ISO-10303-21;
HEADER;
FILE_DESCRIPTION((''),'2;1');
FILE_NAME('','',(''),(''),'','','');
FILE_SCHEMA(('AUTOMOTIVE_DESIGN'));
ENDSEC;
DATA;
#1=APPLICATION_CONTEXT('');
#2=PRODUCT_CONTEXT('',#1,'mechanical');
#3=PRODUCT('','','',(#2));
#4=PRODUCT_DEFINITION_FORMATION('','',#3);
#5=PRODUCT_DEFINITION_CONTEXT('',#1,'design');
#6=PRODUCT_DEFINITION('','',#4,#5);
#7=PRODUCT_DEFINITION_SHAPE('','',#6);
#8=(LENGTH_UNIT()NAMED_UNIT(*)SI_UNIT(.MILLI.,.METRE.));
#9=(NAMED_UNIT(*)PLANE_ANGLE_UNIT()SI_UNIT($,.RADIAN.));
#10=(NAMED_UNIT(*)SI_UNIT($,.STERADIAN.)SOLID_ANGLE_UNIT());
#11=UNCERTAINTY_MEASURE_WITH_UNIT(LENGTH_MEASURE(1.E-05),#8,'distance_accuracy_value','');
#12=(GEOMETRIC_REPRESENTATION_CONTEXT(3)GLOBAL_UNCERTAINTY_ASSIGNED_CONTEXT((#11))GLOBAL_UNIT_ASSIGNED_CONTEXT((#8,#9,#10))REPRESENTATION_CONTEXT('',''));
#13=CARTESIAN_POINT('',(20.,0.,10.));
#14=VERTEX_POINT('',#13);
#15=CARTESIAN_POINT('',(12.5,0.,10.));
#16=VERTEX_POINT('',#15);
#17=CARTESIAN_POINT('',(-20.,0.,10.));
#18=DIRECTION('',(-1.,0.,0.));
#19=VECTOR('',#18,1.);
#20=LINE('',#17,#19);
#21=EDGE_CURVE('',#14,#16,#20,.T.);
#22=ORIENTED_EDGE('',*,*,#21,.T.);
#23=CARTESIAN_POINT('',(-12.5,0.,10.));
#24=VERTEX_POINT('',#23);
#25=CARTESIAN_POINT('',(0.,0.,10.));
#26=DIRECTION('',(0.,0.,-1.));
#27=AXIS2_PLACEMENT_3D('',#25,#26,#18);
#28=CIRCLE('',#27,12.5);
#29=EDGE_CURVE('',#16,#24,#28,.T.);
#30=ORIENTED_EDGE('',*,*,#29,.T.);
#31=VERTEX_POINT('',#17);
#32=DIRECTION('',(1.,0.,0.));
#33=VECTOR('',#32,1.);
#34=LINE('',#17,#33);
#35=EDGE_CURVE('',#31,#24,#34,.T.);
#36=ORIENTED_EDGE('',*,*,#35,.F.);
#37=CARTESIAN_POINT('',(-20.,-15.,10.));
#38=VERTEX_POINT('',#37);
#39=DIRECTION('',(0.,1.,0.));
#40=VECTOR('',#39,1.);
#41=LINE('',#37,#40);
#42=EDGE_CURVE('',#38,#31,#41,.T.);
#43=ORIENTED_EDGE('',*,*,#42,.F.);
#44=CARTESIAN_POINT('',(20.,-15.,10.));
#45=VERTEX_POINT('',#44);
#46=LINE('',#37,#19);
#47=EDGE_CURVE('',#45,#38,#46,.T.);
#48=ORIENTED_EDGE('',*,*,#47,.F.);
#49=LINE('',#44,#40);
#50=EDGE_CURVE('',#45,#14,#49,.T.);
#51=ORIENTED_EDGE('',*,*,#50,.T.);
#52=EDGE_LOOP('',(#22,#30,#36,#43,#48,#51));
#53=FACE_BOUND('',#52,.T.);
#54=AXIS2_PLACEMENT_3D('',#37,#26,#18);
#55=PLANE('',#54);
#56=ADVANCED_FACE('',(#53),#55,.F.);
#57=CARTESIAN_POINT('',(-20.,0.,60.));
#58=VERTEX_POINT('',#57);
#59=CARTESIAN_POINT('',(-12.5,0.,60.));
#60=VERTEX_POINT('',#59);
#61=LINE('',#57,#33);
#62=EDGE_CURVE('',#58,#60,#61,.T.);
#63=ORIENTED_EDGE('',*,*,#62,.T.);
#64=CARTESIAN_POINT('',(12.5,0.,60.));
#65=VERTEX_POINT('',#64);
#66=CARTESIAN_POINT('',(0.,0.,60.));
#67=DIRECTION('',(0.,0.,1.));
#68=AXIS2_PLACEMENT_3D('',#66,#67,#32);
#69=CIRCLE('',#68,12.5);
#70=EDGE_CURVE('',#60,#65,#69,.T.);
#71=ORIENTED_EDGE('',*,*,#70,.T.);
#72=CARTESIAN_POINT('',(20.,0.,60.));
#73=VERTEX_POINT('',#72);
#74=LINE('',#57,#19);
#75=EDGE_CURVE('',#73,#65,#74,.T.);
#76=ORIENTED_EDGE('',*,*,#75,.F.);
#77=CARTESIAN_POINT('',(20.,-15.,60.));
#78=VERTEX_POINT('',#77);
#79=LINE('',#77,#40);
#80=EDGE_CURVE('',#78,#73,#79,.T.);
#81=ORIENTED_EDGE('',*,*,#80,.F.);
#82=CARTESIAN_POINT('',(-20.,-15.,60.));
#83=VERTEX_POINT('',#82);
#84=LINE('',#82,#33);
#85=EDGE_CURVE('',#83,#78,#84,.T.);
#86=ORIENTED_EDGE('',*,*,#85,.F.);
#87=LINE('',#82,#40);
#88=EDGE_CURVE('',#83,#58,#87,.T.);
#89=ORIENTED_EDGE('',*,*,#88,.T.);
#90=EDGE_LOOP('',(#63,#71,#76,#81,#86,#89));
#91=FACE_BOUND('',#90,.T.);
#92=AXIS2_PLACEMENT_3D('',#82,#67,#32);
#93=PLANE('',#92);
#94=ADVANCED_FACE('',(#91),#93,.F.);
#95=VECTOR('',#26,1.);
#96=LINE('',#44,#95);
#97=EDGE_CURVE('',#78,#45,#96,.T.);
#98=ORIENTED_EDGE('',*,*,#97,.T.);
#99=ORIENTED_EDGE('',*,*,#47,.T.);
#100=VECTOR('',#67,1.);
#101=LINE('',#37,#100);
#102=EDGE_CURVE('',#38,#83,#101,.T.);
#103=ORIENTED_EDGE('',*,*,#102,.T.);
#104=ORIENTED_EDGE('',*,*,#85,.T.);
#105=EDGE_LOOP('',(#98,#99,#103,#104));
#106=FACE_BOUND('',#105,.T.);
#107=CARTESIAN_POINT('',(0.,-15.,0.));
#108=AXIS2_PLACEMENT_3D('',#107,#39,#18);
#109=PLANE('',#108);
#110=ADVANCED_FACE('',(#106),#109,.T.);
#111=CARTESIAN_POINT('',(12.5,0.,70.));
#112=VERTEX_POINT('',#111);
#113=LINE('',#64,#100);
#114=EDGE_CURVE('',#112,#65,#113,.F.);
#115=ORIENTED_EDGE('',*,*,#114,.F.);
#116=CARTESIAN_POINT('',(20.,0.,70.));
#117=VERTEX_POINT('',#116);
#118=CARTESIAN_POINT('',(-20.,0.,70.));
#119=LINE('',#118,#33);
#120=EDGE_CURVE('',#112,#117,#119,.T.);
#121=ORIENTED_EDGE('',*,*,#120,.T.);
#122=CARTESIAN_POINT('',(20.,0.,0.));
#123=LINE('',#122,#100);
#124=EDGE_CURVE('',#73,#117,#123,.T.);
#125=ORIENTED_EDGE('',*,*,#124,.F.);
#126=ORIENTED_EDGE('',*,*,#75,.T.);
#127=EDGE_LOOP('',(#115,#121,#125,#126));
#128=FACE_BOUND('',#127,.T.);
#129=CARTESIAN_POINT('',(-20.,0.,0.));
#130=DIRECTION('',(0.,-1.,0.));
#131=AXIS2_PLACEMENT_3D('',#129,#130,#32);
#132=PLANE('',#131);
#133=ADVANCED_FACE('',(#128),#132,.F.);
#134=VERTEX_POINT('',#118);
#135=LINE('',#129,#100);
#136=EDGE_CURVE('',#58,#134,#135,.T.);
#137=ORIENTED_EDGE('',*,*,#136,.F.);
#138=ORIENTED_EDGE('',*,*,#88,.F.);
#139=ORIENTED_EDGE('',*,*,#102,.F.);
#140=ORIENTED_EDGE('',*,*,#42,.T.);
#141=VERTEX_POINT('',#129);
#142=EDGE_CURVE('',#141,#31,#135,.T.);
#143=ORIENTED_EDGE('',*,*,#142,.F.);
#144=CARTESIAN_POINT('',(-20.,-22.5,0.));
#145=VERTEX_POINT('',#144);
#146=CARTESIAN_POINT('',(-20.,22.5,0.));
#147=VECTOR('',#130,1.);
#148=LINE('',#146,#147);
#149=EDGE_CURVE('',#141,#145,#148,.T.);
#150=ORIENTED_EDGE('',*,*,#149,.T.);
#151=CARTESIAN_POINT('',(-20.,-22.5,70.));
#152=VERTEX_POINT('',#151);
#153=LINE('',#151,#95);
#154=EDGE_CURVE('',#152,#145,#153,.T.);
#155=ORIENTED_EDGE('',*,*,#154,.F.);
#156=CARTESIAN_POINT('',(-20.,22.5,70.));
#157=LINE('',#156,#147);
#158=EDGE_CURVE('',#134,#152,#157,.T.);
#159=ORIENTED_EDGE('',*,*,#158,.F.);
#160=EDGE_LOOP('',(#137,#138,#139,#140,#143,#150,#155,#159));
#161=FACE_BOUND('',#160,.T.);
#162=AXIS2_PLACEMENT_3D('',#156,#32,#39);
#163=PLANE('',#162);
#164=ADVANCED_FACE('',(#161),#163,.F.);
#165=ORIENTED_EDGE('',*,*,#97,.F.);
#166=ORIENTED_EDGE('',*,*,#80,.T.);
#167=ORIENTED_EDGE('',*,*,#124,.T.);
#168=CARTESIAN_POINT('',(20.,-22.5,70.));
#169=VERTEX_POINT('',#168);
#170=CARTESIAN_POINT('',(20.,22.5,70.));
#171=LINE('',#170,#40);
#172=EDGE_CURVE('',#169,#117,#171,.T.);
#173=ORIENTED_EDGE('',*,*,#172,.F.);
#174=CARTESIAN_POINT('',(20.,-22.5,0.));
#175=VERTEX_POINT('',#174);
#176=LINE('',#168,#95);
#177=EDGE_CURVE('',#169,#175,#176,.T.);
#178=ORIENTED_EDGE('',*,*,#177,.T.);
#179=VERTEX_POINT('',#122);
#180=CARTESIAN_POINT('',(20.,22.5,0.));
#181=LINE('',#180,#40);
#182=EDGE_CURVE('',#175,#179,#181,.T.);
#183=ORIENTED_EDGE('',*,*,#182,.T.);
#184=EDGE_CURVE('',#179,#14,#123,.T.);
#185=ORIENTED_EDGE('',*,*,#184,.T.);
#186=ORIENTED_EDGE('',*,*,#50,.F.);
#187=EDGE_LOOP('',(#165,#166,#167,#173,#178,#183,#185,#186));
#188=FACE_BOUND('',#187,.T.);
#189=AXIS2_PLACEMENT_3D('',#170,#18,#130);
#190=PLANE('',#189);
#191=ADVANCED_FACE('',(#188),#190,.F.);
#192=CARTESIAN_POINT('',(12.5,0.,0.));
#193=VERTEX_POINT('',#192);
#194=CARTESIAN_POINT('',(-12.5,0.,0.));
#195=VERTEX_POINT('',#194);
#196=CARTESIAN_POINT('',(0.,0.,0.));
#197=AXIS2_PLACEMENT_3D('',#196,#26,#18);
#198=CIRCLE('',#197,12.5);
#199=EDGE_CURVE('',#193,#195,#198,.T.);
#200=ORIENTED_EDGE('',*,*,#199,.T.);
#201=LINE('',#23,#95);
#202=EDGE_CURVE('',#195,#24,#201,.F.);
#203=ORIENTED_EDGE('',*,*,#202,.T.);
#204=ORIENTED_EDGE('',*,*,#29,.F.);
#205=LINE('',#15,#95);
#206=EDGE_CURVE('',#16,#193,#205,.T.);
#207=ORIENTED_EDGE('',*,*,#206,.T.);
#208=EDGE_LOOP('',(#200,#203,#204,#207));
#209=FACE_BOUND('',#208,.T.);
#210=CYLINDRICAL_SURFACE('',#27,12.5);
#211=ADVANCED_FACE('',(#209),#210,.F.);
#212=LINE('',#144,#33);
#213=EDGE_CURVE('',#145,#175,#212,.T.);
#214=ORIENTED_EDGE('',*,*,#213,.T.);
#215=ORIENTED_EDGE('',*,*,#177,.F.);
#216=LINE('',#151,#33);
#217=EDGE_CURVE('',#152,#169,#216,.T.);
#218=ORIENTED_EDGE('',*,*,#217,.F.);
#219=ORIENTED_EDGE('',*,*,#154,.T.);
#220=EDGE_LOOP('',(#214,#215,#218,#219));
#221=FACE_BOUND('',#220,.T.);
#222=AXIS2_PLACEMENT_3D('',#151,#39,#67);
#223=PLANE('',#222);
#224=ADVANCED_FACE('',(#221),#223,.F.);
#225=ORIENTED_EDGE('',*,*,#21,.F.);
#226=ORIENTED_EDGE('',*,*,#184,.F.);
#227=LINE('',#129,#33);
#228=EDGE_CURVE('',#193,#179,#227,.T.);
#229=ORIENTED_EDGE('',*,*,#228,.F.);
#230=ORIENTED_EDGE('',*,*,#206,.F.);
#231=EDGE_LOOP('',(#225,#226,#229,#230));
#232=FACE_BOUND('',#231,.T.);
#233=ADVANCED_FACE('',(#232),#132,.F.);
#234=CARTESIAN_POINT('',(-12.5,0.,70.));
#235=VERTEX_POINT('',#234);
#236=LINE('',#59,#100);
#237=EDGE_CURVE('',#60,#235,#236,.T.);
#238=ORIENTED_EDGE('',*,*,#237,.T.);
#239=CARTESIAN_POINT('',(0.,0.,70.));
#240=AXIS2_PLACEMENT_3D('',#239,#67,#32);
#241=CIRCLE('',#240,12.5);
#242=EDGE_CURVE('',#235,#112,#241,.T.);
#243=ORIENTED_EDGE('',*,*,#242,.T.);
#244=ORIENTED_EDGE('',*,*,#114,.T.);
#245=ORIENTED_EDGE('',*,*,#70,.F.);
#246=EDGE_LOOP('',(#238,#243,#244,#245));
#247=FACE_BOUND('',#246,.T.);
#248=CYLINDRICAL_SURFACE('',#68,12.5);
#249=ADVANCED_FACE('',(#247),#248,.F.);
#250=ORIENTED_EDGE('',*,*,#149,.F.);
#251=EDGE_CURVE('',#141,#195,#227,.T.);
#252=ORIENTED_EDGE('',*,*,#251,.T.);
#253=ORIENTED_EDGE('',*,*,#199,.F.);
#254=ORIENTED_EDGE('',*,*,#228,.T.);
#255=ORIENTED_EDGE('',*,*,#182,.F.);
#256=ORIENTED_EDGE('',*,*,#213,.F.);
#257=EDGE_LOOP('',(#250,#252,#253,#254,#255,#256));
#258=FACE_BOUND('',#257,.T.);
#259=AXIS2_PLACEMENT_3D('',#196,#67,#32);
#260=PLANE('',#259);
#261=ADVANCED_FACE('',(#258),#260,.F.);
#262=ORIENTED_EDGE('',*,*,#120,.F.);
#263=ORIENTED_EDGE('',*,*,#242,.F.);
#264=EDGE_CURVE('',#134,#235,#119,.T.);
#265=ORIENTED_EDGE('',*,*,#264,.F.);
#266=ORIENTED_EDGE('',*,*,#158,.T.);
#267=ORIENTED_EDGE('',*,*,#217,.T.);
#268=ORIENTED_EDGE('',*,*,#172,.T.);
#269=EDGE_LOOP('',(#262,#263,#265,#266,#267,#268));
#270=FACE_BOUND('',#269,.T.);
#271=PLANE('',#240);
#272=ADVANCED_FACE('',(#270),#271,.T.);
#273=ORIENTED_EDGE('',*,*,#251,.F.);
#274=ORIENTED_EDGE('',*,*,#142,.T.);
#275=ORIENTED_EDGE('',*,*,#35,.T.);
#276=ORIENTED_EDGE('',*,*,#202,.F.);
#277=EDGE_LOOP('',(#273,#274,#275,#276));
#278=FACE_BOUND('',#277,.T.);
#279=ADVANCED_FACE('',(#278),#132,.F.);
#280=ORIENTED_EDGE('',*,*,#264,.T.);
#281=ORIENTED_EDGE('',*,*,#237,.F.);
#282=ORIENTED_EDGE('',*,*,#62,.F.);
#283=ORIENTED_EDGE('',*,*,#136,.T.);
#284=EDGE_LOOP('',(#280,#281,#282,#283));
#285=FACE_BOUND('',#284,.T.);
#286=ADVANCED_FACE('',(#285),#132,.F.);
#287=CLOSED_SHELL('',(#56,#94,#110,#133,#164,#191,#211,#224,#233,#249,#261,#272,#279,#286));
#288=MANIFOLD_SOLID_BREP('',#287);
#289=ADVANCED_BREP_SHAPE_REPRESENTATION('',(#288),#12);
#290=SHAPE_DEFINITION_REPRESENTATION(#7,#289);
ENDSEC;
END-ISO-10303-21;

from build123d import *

# Parameters (mm, degrees)
SKETCH1_W           = 40
SKETCH1_H           = 45
BOSS_EXTRUDE1_DEPTH = 70
SKETCH2_R           = 12.5
CUT_EXTRUDE1_DEPTH  = 10
CUT_EXTRUDE2_START  = -10
SKETCH3_R           = 12.5
CUT_EXTRUDE2_DEPTH  = 10
SKETCH4_W           = 40
SKETCH4_H           = 22.5
CUT_EXTRUDE3_DEPTH  = 77.198753271
SKETCH5_W           = 40
SKETCH5_H           = 50
CUT_EXTRUDE4_DEPTH  = 15


with BuildPart() as part:
    # Sketch1 → Boss-Extrude1 (new body)
    with BuildSketch(Plane.XY):
        Rectangle(SKETCH1_W, SKETCH1_H)
    extrude(amount=BOSS_EXTRUDE1_DEPTH)

    # Sketch2 → Cut-Extrude1 (cut)
    with BuildSketch(Plane(origin=(0, 0, 0), x_dir=(-1, 0, 0), z_dir=(0, 0, -1))):
        Circle(SKETCH2_R)
    extrude(amount=-CUT_EXTRUDE1_DEPTH, mode=Mode.SUBTRACT)

    # Sketch3 → Cut-Extrude2 (cut)
    with BuildSketch(Plane.XY.offset(70).offset(CUT_EXTRUDE2_START)):
        Circle(SKETCH3_R)
    extrude(amount=CUT_EXTRUDE2_DEPTH, mode=Mode.SUBTRACT)

    # Sketch4 → Cut-Extrude3 (cut, through all)
    with BuildSketch(Plane.XY.offset(70)):
        with Locations((0, 11.25)):
            Rectangle(SKETCH4_W, SKETCH4_H)
    extrude(amount=-CUT_EXTRUDE3_DEPTH, mode=Mode.SUBTRACT)

    # Sketch5 → Cut-Extrude4 (cut)
    with BuildSketch(Plane(origin=(0, 0, 0), x_dir=(1, 0, 0), z_dir=(0, 1, 0))):
        with Locations((0, -35)):
            Rectangle(SKETCH5_W, SKETCH5_H)
    extrude(amount=-CUT_EXTRUDE4_DEPTH, mode=Mode.SUBTRACT)


solid = part.part
